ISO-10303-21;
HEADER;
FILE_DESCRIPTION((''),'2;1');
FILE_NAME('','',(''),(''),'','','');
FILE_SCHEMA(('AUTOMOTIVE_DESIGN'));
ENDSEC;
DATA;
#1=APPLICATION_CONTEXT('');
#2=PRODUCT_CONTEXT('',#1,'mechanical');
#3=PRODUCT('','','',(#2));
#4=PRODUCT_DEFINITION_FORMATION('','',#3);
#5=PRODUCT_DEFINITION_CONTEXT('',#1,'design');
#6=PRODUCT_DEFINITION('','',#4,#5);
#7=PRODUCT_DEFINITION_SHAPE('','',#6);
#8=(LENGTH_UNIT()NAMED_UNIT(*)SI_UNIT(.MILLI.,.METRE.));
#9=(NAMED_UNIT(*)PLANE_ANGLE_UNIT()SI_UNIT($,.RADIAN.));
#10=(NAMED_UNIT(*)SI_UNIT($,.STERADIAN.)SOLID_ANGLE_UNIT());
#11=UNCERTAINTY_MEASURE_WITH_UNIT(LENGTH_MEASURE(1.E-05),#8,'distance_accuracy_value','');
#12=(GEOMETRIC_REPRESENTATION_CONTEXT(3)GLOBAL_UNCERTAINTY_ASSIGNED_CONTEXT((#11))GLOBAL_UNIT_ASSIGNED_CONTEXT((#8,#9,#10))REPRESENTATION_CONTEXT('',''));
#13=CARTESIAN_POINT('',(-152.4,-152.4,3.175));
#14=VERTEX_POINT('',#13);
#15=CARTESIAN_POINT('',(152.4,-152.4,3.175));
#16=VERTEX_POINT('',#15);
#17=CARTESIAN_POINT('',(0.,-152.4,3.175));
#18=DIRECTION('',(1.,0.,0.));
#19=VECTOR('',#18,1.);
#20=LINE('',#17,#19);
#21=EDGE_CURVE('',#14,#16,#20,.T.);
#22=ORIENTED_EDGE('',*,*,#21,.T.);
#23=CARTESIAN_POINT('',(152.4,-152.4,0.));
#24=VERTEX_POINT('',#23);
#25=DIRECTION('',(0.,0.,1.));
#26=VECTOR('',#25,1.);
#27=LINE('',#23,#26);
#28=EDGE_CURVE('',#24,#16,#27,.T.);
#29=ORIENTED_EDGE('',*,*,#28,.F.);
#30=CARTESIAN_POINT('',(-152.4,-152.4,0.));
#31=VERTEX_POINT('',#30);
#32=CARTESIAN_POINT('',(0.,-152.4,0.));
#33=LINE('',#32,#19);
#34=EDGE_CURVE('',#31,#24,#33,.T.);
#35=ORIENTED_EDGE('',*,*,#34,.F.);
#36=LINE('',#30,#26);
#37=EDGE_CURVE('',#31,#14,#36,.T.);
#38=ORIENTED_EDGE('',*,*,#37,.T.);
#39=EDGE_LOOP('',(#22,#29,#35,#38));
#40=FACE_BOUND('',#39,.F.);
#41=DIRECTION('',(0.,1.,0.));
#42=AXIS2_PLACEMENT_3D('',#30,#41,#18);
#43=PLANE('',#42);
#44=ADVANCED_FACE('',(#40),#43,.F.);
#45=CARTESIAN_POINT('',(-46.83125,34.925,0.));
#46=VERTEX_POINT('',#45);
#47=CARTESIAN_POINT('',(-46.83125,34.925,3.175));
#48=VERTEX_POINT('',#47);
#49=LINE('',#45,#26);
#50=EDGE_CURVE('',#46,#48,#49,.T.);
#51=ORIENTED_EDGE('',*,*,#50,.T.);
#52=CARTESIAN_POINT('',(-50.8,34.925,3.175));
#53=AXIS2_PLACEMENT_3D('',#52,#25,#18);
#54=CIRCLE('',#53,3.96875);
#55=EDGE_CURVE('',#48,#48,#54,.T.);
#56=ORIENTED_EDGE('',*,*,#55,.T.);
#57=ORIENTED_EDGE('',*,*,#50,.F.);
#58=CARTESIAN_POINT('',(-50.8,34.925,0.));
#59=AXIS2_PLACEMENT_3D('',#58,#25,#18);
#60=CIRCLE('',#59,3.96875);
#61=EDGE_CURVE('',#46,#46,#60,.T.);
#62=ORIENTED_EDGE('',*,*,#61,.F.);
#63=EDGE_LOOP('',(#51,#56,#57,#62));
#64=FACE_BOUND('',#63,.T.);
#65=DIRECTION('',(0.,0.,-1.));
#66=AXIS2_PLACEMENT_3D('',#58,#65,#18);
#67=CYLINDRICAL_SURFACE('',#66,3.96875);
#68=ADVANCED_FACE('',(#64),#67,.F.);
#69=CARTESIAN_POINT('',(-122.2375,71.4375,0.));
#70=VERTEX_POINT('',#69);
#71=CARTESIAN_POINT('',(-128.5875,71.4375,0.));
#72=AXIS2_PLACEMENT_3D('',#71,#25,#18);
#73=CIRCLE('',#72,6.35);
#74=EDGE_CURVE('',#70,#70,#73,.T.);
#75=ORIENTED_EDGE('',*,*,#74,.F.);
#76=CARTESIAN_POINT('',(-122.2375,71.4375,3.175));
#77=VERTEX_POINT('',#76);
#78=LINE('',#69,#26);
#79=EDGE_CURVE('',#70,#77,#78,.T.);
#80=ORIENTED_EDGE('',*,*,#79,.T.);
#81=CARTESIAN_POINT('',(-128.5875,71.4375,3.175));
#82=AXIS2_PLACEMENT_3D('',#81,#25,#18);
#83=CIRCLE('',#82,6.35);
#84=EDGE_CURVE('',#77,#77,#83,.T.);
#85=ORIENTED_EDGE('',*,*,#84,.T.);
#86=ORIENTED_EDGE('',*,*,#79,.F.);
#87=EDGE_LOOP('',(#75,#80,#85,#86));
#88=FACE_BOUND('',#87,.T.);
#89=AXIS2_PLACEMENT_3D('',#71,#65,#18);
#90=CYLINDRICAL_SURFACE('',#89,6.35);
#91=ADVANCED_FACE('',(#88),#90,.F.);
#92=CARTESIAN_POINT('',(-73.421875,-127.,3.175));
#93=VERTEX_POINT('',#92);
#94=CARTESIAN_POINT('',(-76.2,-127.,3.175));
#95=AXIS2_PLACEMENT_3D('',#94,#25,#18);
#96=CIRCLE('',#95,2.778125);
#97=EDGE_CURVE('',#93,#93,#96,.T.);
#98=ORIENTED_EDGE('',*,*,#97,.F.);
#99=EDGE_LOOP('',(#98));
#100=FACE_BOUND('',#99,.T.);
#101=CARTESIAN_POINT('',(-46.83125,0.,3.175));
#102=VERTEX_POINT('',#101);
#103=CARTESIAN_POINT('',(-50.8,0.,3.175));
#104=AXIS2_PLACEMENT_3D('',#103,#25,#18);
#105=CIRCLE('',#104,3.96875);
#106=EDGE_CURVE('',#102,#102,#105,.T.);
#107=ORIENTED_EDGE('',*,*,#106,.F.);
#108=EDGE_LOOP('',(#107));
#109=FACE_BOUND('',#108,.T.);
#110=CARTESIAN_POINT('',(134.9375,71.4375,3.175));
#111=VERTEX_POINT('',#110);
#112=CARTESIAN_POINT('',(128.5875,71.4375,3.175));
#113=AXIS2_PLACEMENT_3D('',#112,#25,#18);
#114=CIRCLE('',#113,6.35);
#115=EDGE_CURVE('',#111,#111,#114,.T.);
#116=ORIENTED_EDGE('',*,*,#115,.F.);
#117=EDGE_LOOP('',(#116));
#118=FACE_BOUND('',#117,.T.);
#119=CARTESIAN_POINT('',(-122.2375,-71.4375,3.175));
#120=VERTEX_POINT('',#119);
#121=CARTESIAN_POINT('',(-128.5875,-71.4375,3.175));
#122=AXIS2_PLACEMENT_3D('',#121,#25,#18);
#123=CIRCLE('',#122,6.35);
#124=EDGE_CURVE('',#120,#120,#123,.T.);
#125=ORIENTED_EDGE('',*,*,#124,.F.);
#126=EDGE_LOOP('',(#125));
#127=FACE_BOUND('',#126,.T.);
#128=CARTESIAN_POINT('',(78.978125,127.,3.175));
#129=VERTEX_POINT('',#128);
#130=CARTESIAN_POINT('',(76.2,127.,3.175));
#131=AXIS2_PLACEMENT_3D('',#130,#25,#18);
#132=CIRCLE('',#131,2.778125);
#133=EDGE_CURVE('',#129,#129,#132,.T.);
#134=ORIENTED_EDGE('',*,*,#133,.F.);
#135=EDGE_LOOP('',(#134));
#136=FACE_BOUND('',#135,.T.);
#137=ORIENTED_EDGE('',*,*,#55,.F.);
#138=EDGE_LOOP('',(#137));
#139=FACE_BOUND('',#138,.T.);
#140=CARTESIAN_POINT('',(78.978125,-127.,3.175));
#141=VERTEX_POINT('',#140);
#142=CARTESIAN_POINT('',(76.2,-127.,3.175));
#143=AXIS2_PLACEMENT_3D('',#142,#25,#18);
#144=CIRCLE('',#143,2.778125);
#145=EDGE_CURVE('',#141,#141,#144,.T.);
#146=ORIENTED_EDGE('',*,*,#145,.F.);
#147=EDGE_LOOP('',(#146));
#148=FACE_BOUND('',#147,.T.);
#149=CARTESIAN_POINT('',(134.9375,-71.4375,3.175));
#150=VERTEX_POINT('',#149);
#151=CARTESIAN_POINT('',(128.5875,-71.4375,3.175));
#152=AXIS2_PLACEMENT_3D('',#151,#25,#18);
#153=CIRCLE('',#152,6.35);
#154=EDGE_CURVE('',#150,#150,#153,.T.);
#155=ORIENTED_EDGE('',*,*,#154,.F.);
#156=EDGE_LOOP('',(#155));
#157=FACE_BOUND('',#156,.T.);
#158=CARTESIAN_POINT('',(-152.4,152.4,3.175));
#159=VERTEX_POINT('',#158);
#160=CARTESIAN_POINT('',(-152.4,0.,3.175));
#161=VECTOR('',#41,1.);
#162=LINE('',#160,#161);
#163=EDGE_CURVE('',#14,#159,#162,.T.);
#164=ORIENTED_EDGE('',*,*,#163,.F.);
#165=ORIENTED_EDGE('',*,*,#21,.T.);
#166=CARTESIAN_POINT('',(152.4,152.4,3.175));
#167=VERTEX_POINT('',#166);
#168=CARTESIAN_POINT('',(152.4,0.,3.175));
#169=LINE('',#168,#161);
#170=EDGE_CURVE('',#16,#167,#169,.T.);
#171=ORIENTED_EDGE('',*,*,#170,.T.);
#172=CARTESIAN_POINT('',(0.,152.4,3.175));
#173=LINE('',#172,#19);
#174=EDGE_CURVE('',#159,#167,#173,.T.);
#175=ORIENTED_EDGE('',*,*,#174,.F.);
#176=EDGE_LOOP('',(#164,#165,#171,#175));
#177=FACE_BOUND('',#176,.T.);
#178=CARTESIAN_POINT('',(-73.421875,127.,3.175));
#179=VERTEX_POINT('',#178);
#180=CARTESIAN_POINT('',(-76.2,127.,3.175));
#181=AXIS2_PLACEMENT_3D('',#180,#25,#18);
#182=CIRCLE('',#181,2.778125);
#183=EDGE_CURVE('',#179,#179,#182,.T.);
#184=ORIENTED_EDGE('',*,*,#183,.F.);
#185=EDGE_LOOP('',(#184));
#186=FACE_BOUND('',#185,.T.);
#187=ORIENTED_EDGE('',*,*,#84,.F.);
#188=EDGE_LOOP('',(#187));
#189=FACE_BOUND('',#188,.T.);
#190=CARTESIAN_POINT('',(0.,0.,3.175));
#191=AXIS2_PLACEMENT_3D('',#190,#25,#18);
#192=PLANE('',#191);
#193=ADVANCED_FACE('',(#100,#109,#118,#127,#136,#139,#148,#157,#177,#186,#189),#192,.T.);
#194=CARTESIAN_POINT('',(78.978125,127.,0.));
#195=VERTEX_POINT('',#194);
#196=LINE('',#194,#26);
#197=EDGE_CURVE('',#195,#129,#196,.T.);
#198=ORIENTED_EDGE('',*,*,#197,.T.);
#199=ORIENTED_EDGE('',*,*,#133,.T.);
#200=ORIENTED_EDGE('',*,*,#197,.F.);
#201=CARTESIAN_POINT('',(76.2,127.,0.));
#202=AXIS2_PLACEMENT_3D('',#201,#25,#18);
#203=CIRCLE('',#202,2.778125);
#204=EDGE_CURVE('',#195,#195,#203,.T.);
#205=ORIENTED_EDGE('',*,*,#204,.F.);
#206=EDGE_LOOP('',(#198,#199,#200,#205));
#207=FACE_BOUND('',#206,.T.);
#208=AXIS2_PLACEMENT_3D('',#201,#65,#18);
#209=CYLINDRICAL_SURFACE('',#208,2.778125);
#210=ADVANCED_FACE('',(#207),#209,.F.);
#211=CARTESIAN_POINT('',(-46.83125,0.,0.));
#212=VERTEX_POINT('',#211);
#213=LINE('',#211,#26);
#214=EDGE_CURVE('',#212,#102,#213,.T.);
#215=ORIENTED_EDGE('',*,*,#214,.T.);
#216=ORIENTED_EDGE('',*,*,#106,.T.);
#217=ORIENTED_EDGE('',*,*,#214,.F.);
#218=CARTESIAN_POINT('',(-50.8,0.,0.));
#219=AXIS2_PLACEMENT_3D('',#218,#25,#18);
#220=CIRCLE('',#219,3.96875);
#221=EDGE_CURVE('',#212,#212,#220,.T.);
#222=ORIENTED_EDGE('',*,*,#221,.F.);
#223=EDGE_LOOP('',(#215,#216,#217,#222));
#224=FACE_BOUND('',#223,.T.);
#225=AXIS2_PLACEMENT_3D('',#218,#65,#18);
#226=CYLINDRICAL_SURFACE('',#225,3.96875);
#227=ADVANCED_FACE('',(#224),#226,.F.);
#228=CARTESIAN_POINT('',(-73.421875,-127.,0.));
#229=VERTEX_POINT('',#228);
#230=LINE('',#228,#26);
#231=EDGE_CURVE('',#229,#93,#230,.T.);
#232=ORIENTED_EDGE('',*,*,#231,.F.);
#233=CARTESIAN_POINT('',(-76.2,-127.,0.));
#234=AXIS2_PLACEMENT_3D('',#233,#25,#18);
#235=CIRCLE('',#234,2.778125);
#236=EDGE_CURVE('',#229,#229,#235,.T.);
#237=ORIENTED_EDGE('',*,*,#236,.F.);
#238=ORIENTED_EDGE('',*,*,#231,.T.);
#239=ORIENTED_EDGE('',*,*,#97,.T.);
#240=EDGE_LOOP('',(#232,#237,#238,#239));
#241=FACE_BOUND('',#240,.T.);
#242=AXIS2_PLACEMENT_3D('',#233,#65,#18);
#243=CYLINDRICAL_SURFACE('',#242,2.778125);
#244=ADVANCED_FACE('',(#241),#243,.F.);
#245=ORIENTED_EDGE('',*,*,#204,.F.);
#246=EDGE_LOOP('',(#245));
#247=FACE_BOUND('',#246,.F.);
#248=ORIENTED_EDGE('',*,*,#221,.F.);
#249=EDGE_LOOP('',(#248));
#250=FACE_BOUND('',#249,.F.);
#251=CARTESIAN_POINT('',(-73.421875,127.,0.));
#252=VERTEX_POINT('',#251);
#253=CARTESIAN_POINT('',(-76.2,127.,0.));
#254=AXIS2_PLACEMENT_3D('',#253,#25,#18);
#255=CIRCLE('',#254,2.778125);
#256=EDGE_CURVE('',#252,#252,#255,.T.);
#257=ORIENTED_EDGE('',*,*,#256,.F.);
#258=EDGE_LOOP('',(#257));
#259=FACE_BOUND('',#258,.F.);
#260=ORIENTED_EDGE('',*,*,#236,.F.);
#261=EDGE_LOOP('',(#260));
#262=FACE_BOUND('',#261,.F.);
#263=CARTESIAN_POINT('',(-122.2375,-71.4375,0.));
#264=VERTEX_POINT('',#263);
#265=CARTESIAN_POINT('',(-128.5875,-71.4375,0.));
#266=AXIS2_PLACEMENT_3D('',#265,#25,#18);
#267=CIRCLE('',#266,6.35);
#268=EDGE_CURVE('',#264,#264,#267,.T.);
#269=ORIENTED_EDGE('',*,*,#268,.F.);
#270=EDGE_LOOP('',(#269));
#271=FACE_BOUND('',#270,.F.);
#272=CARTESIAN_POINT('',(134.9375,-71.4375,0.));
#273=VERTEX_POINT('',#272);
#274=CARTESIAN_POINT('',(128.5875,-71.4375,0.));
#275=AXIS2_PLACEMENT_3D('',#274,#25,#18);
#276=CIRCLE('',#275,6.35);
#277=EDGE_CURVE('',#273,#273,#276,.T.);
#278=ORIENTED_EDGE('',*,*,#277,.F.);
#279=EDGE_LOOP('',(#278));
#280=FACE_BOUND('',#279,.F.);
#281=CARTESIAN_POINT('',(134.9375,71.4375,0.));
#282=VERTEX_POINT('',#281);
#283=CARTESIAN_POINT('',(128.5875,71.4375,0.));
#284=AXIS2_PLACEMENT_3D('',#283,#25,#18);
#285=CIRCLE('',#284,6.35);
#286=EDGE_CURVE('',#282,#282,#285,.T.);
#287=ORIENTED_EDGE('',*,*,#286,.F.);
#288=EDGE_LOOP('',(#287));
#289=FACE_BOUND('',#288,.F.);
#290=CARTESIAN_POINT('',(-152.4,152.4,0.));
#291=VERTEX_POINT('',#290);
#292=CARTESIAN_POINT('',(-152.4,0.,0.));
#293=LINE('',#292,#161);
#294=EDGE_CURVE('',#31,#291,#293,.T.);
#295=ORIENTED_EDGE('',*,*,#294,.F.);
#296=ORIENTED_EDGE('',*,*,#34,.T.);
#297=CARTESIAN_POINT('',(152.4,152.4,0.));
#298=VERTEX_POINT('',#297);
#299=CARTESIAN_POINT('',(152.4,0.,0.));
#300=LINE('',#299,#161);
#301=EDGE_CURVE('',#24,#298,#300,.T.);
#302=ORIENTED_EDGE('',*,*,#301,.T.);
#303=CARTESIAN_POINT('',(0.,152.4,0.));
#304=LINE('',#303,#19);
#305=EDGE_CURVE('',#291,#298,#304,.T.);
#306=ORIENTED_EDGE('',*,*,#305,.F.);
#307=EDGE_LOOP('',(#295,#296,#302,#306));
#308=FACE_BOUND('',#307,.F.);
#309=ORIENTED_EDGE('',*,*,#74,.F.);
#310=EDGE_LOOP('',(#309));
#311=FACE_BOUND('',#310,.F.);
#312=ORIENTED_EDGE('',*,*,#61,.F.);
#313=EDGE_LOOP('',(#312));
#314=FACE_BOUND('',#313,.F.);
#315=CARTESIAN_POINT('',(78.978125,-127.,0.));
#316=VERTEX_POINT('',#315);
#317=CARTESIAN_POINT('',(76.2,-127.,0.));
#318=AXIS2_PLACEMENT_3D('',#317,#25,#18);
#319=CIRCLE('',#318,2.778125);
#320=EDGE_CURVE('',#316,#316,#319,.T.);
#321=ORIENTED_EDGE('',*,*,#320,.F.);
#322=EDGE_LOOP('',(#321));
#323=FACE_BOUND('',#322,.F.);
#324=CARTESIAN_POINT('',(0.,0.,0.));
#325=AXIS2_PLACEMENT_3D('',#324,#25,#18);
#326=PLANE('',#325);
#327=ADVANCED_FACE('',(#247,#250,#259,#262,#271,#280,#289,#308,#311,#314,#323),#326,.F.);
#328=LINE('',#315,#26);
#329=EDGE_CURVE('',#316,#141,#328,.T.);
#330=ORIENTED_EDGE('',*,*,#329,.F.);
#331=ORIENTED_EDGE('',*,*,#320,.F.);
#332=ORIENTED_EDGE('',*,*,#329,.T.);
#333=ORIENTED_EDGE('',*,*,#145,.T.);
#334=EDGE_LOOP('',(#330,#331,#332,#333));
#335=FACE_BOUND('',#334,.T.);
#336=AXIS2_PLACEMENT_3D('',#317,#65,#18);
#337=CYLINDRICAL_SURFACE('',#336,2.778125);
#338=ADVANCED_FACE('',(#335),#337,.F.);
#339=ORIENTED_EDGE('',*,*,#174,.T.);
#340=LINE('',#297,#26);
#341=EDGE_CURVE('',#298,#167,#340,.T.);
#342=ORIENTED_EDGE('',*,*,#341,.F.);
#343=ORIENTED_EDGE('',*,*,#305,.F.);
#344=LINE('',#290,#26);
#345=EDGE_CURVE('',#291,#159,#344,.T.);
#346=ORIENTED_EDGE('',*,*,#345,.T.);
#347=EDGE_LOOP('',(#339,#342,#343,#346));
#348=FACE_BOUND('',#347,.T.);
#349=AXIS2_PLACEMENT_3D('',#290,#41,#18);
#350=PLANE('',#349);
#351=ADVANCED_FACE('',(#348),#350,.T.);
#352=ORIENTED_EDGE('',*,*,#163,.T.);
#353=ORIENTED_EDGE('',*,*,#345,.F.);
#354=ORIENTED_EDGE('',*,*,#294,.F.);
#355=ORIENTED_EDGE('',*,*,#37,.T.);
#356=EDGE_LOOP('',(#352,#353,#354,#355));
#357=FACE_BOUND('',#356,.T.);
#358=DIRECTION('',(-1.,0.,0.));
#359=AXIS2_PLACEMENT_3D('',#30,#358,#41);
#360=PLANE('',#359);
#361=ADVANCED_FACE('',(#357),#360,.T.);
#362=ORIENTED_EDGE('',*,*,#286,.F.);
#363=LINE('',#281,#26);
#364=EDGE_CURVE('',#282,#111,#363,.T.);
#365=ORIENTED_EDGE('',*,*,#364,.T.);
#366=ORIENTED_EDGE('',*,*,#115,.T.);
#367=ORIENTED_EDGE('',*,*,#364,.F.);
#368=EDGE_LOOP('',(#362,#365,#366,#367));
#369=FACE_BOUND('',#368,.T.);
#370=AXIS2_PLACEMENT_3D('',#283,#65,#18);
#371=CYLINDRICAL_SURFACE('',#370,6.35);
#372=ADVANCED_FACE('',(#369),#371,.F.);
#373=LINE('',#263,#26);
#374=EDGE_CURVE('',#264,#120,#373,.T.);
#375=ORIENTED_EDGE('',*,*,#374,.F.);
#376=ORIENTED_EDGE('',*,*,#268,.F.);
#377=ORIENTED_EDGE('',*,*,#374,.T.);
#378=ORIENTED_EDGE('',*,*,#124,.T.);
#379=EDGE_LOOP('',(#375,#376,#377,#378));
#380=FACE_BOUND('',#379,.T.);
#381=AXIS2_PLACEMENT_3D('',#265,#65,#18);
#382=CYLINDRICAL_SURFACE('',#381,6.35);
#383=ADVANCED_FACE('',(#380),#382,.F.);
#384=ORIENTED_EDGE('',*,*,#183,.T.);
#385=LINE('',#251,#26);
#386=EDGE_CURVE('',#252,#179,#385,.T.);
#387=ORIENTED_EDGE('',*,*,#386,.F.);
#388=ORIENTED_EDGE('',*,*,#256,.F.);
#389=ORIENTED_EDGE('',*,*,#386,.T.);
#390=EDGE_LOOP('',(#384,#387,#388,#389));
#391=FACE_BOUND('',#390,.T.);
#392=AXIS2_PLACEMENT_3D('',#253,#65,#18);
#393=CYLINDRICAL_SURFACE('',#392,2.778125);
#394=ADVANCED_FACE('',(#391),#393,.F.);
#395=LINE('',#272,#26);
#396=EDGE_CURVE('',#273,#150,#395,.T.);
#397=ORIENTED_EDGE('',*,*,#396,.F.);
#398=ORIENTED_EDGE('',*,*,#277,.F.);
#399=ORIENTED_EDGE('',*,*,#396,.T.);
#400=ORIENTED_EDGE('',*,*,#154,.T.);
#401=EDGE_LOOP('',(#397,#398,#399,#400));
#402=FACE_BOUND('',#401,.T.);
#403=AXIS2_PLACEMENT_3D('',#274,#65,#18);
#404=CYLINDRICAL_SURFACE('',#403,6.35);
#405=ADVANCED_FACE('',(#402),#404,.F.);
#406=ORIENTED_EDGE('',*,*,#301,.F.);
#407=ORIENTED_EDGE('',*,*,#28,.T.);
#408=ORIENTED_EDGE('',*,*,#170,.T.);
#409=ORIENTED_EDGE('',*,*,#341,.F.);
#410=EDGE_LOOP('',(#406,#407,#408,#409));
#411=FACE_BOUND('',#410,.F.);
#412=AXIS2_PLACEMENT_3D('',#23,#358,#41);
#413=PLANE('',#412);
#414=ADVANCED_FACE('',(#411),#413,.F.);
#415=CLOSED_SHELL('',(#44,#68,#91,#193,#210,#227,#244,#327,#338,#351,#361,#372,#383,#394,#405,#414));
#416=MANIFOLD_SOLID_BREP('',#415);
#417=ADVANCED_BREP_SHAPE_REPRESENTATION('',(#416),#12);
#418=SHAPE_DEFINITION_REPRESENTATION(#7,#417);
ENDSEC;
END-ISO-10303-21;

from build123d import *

# Parameters (mm, degrees)
F0_W     = 304.8
F0_H     = 304.8
F0_R     = 2.778125
F0_R_2   = 6.35
F0_R_3   = 3.96875
F1_DEPTH = 3.175


with BuildPart() as f1:
    # F0 (on Top) → F1 (new body)
    with BuildSketch(Plane.XY):
        Rectangle(F0_W, F0_H)
        with Locations((-76.2, -127)):
            Circle(F0_R, mode=Mode.SUBTRACT)
        with Locations((-128.5875, -71.4375)):
            Circle(F0_R_2, mode=Mode.SUBTRACT)
        with Locations((76.2, -127)):
            Circle(F0_R, mode=Mode.SUBTRACT)
        with Locations((128.5875, -71.4375)):
            Circle(F0_R_2, mode=Mode.SUBTRACT)
        with Locations((-128.5875, 71.4375)):
            Circle(F0_R_2, mode=Mode.SUBTRACT)
        with Locations((-50.8, 0)):
            Circle(F0_R_3, mode=Mode.SUBTRACT)
        with Locations((-50.8, 34.925)):
            Circle(F0_R_3, mode=Mode.SUBTRACT)
        with Locations((-76.2, 127)):
            Circle(F0_R, mode=Mode.SUBTRACT)
        with Locations((128.5875, 71.4375)):
            Circle(F0_R_2, mode=Mode.SUBTRACT)
        with Locations((76.2, 127)):
            Circle(F0_R, mode=Mode.SUBTRACT)
    extrude(amount=F1_DEPTH)


solid = f1.part
